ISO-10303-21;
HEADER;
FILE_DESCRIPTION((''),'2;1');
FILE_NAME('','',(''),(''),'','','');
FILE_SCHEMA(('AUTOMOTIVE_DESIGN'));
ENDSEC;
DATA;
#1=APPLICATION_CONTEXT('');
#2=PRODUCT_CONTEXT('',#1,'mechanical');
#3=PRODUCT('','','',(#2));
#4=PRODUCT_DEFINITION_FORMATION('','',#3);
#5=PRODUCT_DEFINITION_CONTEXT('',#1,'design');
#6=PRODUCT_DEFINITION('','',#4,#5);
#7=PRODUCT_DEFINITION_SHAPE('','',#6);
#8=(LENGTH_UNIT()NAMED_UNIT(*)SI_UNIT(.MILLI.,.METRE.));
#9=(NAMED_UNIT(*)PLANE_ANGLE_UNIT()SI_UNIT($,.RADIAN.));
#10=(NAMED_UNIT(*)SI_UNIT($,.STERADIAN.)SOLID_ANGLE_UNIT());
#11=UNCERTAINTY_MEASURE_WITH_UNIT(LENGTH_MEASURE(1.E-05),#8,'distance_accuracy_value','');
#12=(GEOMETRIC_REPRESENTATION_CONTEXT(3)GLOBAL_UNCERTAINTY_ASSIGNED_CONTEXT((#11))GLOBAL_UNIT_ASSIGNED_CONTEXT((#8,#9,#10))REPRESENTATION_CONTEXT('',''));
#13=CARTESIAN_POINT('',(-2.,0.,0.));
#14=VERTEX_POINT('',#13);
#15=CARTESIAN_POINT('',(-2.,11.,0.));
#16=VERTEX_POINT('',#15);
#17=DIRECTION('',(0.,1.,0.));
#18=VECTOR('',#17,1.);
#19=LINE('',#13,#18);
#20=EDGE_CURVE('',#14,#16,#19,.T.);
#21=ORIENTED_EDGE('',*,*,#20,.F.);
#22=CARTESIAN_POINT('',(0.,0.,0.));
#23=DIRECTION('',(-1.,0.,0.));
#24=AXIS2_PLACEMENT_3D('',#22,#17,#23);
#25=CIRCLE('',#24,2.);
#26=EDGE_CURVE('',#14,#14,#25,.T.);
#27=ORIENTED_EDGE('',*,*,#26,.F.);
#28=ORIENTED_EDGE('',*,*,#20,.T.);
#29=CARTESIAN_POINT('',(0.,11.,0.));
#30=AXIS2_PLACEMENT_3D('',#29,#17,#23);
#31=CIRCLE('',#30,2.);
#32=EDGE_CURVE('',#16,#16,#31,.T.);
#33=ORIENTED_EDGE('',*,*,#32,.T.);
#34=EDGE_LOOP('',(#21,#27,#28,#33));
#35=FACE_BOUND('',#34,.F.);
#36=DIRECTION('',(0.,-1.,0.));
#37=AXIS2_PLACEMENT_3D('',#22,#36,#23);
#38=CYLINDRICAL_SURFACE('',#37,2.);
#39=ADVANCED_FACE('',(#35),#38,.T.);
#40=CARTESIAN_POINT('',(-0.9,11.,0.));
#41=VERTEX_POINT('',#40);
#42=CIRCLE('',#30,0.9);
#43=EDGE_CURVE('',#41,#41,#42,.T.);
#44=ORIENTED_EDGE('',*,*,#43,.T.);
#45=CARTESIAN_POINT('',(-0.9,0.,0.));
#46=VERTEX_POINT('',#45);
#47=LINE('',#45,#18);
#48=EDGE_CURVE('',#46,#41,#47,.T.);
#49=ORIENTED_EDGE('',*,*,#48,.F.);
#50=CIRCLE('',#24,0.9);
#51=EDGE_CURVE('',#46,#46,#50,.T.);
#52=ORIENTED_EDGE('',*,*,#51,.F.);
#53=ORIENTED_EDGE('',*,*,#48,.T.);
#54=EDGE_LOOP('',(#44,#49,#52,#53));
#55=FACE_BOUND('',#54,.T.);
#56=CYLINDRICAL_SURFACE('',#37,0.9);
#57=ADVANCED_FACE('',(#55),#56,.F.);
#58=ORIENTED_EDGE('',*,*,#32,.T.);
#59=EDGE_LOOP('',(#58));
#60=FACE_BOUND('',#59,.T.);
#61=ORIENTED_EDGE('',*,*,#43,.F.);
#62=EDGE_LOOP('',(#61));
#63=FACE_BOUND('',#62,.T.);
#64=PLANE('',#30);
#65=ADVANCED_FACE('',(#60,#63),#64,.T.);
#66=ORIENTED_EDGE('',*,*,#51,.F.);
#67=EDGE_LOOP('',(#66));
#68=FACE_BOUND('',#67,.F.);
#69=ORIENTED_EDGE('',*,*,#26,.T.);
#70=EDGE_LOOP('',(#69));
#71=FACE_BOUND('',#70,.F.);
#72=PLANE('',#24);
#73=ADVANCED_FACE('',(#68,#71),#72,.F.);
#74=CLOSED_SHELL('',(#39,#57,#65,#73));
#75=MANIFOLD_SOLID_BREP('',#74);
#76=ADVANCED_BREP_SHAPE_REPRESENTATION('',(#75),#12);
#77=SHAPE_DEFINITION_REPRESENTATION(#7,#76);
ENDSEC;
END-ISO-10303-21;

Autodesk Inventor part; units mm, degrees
ref_plane "YZ Plane" through (0, 0, 0) normal (1, 0, 0) x (0, 1, 0)
ref_plane "XZ Plane" through (0, 0, 0) normal (0, 1, 0) x (-1, 0, 0)
ref_plane "XY Plane" through (0, 0, 0) normal (0, 0, 1) x (1, 0, 0)
sketch "Эскиз1" plane through (0, 0, 0) normal (0, 1, 0) x (-1, 0, 0)
  circle A0 centre (0, 0) radius 2
  circle A1 centre (0, 0) radius 0.9
  dimension "d0" = 4
  dimension "d1" = 1.8
extrude "Выдавливание1" add sketch "Эскиз1" along normal blind 11
properties part number "фтулка"
